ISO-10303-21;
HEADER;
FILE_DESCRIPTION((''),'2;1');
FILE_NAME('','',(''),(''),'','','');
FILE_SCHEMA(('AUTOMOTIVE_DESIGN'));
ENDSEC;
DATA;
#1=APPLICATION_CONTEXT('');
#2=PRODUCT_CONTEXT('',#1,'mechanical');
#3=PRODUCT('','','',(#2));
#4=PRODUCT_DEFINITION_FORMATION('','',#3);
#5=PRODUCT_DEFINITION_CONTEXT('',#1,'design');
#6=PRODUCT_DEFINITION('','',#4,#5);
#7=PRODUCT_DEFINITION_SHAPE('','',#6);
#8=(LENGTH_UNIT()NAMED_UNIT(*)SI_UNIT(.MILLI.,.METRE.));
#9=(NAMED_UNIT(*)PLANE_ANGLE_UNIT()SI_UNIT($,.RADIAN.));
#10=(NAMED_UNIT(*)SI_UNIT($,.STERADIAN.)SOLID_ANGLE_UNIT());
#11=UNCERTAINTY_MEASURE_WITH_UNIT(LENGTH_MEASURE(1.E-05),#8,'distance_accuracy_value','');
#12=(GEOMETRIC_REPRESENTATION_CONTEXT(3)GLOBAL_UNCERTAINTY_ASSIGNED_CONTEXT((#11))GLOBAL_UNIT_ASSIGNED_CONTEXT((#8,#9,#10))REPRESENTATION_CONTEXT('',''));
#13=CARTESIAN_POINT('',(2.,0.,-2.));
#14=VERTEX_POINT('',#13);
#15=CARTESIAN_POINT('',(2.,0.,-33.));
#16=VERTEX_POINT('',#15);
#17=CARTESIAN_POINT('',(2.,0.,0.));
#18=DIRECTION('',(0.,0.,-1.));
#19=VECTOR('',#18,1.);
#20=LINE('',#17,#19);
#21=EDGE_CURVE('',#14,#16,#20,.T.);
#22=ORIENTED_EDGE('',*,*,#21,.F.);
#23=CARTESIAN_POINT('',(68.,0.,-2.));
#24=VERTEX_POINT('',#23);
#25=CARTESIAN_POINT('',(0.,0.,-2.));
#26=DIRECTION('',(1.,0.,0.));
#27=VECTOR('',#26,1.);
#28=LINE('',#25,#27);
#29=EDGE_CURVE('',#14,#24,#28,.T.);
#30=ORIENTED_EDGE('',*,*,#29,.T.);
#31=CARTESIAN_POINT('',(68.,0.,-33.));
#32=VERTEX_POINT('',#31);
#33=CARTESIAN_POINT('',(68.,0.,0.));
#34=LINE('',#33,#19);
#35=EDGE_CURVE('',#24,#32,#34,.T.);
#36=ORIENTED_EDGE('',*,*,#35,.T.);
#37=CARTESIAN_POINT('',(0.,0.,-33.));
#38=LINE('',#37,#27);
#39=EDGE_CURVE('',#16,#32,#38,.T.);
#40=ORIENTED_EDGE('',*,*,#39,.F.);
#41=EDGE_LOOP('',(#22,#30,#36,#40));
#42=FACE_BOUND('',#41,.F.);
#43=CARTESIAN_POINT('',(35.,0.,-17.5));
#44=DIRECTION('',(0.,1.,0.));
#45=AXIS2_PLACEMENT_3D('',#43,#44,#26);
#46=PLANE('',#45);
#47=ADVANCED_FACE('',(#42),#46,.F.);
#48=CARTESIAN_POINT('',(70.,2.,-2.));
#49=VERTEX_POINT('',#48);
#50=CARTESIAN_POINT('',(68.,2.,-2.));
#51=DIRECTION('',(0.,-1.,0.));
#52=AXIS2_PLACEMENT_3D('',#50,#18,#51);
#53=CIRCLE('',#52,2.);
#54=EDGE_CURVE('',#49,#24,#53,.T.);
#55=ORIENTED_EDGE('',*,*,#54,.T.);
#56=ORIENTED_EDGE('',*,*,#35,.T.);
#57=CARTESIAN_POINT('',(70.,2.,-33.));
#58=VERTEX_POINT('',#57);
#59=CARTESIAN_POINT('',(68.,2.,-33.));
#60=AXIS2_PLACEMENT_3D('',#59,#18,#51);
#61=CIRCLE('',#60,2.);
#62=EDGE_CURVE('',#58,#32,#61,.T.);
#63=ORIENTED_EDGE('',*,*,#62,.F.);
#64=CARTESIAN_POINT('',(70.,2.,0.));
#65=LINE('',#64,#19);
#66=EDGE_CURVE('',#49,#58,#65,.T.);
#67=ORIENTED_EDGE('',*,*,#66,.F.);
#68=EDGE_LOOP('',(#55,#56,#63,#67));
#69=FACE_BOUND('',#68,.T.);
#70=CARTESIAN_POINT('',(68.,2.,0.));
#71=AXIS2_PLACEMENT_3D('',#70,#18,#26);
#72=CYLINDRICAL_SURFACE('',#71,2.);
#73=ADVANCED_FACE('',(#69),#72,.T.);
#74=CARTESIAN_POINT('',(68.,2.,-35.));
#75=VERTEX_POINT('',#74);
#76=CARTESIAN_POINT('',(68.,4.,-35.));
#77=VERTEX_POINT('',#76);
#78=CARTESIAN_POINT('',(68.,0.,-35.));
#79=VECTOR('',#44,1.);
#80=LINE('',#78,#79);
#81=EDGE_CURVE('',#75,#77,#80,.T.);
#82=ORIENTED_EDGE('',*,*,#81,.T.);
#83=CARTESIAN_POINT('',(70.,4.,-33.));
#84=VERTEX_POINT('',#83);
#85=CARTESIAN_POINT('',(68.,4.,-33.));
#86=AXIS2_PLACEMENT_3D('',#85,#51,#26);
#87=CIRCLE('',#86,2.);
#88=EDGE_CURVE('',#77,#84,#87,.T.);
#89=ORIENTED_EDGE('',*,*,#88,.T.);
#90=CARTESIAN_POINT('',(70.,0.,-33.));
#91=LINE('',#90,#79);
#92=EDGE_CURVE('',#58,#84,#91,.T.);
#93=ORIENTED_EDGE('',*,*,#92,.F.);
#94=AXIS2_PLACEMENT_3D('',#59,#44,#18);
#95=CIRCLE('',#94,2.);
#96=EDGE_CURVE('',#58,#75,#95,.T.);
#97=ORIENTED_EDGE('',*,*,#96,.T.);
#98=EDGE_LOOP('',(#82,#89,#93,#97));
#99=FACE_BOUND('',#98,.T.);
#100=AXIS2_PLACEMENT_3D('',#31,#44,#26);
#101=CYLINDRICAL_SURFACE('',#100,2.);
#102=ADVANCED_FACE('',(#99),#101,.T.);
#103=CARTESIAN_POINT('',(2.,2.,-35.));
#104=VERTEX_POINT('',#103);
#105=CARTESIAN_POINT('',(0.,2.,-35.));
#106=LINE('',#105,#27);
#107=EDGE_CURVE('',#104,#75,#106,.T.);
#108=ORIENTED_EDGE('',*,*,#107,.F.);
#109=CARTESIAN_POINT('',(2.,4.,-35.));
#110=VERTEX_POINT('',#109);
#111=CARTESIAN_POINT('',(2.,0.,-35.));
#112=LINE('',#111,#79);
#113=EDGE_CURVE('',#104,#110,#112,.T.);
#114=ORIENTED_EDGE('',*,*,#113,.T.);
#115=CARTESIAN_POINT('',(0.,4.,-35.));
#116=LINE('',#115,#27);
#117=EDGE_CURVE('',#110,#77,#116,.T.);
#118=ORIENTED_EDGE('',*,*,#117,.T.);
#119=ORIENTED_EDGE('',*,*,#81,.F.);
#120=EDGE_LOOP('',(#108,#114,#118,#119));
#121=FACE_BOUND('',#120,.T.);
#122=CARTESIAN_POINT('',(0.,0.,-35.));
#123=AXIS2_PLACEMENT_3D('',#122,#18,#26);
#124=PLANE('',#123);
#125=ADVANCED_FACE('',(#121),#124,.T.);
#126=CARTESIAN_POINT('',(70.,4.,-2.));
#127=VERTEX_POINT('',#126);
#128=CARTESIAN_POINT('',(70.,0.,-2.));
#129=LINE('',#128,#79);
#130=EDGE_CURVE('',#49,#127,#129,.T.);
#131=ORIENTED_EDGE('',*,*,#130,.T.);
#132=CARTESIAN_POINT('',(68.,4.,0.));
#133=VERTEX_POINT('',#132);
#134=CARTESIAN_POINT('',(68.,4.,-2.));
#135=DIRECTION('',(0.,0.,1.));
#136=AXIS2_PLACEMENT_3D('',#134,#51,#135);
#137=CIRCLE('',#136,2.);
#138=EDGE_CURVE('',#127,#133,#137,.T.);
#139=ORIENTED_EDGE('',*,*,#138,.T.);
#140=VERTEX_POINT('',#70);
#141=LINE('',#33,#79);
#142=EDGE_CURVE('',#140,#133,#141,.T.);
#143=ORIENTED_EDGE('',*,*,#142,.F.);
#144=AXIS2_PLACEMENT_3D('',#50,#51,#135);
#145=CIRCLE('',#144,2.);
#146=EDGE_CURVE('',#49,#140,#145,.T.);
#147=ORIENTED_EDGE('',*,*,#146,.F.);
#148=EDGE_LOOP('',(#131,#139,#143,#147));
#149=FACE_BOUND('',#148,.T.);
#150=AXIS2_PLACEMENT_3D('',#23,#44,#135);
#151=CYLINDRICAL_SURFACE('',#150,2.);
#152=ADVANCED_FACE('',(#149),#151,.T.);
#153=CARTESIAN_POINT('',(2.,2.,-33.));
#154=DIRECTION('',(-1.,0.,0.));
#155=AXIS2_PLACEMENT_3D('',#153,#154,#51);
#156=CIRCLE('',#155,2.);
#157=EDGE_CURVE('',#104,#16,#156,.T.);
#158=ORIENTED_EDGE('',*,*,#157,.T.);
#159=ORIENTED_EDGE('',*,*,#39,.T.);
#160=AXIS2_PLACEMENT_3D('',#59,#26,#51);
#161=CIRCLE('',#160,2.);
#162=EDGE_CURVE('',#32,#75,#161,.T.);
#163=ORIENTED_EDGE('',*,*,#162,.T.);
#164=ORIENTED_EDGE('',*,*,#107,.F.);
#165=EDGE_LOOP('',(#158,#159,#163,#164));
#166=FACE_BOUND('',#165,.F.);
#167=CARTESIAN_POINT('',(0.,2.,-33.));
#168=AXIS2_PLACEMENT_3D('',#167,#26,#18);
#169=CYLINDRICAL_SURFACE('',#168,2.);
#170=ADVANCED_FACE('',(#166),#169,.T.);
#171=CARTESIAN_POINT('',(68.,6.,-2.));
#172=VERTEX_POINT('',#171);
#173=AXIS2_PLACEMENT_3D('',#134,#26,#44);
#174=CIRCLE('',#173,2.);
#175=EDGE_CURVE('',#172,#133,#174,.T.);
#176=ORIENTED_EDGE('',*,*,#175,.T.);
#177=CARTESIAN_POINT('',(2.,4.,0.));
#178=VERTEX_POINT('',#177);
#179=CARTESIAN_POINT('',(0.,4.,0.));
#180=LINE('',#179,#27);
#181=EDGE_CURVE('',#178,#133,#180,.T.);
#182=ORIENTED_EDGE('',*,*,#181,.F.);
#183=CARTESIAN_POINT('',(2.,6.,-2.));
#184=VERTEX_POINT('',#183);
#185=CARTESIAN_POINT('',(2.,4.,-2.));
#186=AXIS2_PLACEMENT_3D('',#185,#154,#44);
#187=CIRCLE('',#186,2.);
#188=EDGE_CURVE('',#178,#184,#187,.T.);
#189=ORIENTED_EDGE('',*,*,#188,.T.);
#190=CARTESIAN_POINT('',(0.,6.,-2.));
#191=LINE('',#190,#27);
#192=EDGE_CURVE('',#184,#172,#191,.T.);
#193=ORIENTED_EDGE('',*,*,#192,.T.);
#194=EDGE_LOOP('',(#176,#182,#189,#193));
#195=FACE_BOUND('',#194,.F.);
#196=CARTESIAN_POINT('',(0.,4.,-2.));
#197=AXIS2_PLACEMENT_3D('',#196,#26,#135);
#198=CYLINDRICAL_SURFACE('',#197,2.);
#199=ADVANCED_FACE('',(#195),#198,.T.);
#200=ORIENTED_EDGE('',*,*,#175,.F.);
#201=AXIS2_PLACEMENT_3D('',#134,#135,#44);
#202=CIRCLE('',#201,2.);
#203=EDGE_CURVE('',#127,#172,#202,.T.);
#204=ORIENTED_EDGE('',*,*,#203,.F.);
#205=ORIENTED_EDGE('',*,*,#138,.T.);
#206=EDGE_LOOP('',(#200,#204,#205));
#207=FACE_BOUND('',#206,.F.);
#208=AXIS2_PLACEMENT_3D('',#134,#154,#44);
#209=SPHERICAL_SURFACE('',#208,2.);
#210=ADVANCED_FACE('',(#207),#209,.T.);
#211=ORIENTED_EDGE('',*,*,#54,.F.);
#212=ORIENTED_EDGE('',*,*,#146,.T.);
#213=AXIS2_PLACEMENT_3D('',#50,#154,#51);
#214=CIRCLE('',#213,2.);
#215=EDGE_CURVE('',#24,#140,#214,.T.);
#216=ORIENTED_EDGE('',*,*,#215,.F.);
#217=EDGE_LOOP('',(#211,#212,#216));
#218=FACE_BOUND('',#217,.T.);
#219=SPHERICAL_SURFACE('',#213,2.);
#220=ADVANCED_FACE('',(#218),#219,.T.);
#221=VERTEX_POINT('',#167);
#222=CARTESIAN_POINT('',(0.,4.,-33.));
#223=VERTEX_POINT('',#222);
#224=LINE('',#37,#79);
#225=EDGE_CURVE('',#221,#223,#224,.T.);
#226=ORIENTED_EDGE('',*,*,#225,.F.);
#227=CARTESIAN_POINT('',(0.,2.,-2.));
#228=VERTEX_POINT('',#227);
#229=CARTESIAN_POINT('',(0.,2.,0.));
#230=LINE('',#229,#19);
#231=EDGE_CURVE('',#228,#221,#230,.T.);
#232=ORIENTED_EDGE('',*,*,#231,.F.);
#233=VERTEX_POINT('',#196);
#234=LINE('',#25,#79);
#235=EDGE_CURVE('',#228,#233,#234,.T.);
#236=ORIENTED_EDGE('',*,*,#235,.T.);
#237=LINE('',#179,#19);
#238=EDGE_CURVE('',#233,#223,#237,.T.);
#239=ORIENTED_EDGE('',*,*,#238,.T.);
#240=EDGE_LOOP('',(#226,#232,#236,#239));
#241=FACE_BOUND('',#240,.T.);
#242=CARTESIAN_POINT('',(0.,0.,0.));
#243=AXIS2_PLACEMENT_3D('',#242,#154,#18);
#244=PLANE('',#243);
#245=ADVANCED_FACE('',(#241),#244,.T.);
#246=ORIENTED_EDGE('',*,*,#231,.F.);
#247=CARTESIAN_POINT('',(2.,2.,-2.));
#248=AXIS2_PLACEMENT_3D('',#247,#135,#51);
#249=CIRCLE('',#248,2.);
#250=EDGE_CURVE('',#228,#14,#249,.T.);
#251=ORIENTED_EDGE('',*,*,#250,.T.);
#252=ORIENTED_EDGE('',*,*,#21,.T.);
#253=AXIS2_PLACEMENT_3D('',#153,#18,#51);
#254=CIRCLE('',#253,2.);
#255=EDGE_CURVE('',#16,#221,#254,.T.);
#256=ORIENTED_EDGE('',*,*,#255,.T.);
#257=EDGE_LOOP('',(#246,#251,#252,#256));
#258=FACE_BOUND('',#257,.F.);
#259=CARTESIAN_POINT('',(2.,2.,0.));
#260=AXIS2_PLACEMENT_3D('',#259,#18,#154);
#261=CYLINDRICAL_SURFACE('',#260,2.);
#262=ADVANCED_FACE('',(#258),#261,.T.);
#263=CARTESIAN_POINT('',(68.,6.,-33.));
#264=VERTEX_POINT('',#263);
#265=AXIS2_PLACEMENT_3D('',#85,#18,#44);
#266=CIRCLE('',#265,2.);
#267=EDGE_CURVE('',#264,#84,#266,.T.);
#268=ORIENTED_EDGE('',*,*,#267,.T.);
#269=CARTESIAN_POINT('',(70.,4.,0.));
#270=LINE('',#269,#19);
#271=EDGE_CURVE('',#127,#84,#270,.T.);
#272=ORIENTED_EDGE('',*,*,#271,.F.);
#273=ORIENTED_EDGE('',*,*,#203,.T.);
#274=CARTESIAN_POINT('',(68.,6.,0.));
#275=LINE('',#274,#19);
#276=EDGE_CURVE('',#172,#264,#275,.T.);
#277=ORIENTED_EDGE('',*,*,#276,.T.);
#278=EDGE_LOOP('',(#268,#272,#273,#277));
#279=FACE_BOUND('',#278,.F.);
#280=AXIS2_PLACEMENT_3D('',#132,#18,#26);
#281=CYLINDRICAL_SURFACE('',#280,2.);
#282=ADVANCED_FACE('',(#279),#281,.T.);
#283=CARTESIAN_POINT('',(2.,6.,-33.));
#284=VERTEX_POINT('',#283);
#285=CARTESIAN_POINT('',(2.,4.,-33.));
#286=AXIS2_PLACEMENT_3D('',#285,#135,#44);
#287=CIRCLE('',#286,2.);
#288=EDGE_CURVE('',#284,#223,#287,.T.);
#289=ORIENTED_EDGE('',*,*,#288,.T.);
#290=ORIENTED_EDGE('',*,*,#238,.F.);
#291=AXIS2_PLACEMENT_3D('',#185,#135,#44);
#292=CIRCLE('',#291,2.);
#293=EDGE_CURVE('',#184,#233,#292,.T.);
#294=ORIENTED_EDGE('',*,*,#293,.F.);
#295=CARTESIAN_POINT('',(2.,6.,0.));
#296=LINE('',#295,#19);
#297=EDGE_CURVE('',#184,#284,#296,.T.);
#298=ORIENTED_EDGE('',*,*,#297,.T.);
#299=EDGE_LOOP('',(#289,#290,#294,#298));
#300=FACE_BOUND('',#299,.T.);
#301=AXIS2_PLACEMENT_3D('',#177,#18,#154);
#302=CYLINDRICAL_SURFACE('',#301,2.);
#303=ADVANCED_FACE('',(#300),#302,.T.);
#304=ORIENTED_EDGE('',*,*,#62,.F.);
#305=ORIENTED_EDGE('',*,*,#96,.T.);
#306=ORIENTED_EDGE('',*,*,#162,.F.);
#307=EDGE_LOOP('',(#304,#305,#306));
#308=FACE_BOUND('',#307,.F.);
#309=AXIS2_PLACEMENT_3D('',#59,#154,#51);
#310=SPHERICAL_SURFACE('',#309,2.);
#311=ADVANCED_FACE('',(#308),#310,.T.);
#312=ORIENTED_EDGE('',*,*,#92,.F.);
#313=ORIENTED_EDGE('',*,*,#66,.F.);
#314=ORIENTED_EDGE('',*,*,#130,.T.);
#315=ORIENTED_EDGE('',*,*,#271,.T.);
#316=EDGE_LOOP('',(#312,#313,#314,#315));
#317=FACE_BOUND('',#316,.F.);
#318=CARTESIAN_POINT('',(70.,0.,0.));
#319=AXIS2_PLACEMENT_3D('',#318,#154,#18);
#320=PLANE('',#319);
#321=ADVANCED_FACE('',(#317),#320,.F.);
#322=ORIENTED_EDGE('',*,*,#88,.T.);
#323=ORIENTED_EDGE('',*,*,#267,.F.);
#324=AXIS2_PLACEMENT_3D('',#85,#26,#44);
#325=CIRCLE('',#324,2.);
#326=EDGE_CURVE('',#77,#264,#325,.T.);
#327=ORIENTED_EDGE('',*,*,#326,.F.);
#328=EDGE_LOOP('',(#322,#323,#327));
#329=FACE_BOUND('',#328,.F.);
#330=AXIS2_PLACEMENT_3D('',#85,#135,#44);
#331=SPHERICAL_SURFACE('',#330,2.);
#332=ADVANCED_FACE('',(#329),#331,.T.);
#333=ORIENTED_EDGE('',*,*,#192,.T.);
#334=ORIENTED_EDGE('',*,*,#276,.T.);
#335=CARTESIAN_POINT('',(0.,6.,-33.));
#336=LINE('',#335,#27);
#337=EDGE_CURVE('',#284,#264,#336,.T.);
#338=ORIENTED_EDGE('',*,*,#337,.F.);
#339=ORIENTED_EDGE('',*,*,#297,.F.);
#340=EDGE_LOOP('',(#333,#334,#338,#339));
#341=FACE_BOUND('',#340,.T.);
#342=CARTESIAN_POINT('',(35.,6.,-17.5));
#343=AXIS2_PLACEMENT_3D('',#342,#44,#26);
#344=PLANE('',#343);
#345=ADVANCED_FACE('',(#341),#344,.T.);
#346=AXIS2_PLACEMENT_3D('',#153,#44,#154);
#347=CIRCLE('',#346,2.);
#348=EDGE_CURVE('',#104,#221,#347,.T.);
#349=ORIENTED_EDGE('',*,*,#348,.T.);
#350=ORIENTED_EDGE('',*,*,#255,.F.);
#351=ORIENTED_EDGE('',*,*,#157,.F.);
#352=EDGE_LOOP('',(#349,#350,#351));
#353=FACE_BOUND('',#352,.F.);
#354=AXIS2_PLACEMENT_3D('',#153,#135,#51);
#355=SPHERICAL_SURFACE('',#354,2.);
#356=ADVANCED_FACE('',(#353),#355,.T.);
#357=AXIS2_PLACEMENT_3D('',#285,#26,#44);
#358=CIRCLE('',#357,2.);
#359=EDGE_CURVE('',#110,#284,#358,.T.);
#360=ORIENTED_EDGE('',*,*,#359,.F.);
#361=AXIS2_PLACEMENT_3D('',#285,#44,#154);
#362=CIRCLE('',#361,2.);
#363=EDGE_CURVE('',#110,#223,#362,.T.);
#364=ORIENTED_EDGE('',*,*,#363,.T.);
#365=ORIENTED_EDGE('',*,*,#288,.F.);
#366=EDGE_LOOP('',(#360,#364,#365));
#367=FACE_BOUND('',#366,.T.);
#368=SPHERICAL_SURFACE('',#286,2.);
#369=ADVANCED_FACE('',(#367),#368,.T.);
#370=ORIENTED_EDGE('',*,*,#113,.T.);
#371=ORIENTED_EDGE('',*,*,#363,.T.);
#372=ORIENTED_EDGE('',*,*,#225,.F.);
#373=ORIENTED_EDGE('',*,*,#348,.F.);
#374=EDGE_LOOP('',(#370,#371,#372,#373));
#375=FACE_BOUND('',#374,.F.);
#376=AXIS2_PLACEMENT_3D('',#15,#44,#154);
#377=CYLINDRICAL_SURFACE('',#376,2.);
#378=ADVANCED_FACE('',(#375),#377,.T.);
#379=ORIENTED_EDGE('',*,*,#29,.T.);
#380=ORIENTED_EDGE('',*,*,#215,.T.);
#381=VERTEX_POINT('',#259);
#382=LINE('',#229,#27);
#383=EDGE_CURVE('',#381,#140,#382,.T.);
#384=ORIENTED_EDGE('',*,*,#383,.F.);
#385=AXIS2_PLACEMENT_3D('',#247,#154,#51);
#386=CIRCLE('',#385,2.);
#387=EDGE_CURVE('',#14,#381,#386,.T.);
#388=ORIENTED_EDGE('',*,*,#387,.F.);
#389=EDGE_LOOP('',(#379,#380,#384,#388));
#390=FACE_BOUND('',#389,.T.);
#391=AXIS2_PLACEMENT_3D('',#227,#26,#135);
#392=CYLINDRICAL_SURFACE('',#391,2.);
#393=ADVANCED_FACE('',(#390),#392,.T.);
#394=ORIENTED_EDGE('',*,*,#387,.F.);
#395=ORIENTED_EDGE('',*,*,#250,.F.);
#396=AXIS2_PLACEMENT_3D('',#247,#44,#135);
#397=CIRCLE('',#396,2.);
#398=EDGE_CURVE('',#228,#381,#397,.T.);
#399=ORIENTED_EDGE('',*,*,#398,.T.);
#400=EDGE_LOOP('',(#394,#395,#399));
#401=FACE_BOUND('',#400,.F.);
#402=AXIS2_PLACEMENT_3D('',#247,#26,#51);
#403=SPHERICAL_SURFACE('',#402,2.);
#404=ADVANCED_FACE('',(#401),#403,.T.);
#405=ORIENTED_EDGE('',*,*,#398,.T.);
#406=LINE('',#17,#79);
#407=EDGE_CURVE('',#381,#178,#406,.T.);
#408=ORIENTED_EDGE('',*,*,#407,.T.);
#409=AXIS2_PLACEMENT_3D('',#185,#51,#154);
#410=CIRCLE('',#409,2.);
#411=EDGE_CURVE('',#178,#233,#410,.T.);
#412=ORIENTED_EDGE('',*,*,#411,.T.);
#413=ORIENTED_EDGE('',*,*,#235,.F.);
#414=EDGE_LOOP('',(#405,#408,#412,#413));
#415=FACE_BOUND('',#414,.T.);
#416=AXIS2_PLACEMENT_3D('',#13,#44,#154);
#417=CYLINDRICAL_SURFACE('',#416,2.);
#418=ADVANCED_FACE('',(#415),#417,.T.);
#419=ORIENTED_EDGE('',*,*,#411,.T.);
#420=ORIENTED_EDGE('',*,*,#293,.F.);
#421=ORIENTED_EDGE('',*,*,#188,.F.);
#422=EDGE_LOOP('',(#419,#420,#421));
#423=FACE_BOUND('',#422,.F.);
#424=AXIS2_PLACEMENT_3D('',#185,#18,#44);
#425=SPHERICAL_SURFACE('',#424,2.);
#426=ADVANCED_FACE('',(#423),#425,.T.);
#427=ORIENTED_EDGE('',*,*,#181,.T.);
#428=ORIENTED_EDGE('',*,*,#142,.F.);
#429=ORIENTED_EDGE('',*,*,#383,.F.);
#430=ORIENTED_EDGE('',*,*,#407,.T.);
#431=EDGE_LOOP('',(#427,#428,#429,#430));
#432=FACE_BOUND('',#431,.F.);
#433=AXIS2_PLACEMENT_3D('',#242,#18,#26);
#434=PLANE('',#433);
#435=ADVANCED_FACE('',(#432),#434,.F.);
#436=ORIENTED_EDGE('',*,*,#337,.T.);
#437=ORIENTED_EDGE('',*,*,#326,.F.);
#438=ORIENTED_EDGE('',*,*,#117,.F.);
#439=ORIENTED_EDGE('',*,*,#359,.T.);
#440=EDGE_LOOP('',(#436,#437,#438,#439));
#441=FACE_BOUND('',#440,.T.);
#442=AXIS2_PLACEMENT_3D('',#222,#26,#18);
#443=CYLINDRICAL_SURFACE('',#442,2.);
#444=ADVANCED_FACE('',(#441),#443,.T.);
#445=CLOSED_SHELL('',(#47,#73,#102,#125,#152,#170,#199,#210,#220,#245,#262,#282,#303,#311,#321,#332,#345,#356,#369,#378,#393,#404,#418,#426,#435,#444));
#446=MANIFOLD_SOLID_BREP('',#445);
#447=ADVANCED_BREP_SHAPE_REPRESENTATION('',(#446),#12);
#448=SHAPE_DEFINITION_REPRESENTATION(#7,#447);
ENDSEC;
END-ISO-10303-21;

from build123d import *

# Parameters (mm, degrees)
SKETCH1_W           = 70
SKETCH1_H           = 35
BOSS_EXTRUDE1_DEPTH = 6
FILLET1_R           = 2


with BuildPart() as part:
    # Sketch1 → Boss-Extrude1 (new body)
    with BuildSketch(Plane(origin=(0, 0, 0), x_dir=(1, 0, 0), z_dir=(0, 1, 0))):
        with Locations((35, 17.5)):
            Rectangle(SKETCH1_W, SKETCH1_H)
    extrude(amount=BOSS_EXTRUDE1_DEPTH)

    # Fillet1
    fillet1_edges = [part.edges().sort_by_distance(p)[0] for p in [
        (0, 6, -17.5),
        (35, 6, 0),
        (70, 6, -17.5),
        (35, 0, 0),
        (0, 0, -17.5),
        (35, 0, -35),
        (70, 0, -17.5),
        (35, 6, -35),
        (70, 3, 0),
        (0, 3, 0),
        (0, 3, -35),
        (70, 3, -35),
    ]]
    fillet(fillet1_edges, radius=FILLET1_R)


solid = part.part
